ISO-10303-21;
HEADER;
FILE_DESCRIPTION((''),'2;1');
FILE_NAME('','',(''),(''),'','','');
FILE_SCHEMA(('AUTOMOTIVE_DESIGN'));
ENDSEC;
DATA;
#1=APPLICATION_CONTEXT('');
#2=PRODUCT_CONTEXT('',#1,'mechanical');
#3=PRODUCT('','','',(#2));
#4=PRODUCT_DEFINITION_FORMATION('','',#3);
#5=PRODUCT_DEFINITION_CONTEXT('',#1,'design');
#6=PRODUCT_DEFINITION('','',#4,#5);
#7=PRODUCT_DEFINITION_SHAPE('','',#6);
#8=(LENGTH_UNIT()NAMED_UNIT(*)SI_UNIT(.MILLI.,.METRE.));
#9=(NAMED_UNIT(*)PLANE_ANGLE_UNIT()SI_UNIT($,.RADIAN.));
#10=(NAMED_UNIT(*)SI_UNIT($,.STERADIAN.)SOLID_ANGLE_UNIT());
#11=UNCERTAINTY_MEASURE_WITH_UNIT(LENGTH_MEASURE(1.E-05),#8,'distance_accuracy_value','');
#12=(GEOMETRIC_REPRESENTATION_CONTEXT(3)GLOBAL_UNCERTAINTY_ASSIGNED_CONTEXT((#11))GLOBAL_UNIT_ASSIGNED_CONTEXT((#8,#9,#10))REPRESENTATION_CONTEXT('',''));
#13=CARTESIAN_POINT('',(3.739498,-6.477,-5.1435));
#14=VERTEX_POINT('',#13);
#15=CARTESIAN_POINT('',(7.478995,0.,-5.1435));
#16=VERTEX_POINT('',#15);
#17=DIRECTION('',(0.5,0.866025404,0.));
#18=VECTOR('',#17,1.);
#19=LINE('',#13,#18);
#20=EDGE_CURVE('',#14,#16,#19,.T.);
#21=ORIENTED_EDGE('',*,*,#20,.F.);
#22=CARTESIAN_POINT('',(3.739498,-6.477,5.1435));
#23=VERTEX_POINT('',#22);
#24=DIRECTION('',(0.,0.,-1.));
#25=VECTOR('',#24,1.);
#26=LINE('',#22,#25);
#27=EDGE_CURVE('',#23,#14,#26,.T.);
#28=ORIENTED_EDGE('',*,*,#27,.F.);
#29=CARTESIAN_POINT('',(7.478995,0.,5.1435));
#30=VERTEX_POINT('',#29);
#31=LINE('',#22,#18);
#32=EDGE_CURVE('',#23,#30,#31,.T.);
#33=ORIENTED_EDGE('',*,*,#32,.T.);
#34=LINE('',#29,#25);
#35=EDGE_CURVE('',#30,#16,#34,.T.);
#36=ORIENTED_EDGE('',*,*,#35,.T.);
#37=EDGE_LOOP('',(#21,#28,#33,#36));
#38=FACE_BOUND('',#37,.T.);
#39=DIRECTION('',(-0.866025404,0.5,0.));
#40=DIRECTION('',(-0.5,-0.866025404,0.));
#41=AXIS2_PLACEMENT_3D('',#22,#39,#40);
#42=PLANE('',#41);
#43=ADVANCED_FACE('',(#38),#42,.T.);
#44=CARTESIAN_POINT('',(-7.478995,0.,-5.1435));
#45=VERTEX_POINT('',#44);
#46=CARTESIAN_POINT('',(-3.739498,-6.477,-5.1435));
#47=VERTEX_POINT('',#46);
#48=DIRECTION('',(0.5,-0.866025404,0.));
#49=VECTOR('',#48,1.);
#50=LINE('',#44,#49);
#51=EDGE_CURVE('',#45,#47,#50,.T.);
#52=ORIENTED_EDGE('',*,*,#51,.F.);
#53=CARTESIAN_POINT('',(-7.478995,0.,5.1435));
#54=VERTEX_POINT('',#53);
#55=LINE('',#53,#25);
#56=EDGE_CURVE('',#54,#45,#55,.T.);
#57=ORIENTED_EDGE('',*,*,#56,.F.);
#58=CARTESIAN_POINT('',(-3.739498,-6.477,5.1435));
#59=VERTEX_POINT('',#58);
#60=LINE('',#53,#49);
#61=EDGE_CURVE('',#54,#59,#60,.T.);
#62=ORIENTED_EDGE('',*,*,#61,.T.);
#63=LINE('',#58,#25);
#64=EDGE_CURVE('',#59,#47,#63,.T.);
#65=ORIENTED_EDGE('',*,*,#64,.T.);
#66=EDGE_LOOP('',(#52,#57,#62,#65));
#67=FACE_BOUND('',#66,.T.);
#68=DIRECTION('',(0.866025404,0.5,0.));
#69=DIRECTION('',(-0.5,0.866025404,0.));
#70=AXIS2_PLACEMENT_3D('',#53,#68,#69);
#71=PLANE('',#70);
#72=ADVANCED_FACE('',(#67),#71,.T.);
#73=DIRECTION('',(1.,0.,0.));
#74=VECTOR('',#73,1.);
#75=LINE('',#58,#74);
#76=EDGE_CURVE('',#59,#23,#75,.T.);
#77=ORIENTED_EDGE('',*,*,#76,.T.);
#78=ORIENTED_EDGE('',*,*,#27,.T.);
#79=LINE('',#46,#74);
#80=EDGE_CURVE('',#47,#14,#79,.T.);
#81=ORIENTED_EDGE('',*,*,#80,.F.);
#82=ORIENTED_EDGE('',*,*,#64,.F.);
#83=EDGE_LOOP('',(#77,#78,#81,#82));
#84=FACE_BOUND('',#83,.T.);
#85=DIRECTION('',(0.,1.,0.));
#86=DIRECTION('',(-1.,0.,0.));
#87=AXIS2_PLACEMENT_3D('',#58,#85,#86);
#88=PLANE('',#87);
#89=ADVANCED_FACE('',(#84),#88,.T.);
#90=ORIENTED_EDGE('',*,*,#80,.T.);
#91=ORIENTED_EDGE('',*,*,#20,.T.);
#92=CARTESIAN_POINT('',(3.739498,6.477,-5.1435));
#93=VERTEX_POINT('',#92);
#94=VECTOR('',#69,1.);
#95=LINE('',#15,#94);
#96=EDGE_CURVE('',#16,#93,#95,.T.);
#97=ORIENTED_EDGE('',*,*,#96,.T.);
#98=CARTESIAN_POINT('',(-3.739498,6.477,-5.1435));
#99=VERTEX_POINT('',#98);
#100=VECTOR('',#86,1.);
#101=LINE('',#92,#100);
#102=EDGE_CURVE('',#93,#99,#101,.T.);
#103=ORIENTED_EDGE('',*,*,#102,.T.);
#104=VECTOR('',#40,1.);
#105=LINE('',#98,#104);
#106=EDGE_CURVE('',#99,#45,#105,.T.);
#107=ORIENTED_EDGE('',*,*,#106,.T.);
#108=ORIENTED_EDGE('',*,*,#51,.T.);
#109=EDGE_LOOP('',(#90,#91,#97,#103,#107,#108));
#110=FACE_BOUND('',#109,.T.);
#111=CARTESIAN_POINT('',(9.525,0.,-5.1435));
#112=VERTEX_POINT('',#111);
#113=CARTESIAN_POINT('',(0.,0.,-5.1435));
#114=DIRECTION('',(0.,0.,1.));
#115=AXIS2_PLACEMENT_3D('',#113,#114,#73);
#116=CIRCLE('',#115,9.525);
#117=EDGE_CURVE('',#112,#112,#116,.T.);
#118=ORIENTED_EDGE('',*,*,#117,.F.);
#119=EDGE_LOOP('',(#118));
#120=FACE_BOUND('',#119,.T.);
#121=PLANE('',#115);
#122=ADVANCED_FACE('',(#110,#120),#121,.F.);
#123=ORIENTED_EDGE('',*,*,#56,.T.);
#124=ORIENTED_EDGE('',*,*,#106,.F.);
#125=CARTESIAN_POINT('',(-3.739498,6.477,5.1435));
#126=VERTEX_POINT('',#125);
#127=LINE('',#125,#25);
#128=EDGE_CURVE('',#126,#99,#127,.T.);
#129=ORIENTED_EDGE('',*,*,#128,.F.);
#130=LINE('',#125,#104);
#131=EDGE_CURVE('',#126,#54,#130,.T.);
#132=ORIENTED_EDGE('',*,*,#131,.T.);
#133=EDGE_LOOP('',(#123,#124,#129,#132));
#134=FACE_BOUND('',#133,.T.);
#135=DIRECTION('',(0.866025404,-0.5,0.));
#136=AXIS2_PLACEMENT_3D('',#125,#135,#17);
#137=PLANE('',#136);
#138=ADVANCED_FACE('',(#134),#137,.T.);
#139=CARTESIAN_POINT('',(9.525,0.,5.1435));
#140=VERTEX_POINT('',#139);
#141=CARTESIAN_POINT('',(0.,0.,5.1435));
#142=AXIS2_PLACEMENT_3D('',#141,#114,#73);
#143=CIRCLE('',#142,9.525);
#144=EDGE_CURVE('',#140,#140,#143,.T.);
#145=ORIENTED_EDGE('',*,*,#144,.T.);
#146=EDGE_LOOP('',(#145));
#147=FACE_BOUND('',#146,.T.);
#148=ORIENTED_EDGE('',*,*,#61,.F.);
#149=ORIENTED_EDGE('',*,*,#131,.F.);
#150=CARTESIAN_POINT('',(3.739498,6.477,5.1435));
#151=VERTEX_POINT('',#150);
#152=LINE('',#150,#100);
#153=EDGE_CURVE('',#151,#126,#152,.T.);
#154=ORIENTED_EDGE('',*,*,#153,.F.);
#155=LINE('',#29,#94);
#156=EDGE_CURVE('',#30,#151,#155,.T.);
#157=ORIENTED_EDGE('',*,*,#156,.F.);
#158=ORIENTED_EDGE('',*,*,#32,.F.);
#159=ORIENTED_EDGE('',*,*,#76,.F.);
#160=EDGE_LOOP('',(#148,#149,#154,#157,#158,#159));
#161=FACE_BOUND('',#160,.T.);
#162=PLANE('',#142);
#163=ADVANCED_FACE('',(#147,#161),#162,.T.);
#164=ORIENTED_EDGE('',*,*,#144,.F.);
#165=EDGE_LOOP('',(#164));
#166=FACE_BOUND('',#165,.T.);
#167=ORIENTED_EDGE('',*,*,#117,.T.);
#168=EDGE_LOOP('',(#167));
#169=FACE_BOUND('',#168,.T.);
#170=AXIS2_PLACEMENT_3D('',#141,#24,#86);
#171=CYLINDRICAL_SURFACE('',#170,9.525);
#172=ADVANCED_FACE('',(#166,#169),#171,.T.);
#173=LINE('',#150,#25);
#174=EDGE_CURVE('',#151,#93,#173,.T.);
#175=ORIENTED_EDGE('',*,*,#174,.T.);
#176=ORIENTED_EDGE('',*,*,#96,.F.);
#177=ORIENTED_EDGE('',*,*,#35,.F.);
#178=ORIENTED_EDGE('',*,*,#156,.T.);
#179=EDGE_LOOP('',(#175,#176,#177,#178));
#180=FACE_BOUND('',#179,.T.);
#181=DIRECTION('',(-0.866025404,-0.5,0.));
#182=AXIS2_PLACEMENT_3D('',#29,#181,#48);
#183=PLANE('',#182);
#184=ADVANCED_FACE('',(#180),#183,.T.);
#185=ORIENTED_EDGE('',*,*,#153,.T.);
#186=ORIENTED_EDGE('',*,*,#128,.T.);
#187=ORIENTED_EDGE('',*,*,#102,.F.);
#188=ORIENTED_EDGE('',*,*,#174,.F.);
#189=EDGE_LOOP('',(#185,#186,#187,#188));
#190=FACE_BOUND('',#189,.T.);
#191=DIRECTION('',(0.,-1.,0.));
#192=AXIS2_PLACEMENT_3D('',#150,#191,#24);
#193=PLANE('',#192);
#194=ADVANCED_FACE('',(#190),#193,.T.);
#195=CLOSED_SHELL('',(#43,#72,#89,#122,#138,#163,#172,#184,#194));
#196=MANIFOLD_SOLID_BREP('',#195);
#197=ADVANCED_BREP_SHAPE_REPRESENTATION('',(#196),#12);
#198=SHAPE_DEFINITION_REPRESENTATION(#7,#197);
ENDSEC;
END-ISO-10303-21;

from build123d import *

# Parameters (mm, degrees)
SKETCH1_R           = 9.525
BOSS_EXTRUDE1_DEPTH = 5.1435


with BuildPart() as part:
    # Sketch1 → Boss-Extrude1 (new, symmetric)
    with BuildSketch(Plane.XY):
        Circle(SKETCH1_R)
        Polygon((7.478995387, 0), (3.739497694, 6.477), (-3.739497694, 6.477), (-7.478995387, 0), (-3.739497694, -6.477), (3.739497694, -6.477), align=None, mode=Mode.SUBTRACT)
    extrude(amount=BOSS_EXTRUDE1_DEPTH, both=True)


solid = part.part
